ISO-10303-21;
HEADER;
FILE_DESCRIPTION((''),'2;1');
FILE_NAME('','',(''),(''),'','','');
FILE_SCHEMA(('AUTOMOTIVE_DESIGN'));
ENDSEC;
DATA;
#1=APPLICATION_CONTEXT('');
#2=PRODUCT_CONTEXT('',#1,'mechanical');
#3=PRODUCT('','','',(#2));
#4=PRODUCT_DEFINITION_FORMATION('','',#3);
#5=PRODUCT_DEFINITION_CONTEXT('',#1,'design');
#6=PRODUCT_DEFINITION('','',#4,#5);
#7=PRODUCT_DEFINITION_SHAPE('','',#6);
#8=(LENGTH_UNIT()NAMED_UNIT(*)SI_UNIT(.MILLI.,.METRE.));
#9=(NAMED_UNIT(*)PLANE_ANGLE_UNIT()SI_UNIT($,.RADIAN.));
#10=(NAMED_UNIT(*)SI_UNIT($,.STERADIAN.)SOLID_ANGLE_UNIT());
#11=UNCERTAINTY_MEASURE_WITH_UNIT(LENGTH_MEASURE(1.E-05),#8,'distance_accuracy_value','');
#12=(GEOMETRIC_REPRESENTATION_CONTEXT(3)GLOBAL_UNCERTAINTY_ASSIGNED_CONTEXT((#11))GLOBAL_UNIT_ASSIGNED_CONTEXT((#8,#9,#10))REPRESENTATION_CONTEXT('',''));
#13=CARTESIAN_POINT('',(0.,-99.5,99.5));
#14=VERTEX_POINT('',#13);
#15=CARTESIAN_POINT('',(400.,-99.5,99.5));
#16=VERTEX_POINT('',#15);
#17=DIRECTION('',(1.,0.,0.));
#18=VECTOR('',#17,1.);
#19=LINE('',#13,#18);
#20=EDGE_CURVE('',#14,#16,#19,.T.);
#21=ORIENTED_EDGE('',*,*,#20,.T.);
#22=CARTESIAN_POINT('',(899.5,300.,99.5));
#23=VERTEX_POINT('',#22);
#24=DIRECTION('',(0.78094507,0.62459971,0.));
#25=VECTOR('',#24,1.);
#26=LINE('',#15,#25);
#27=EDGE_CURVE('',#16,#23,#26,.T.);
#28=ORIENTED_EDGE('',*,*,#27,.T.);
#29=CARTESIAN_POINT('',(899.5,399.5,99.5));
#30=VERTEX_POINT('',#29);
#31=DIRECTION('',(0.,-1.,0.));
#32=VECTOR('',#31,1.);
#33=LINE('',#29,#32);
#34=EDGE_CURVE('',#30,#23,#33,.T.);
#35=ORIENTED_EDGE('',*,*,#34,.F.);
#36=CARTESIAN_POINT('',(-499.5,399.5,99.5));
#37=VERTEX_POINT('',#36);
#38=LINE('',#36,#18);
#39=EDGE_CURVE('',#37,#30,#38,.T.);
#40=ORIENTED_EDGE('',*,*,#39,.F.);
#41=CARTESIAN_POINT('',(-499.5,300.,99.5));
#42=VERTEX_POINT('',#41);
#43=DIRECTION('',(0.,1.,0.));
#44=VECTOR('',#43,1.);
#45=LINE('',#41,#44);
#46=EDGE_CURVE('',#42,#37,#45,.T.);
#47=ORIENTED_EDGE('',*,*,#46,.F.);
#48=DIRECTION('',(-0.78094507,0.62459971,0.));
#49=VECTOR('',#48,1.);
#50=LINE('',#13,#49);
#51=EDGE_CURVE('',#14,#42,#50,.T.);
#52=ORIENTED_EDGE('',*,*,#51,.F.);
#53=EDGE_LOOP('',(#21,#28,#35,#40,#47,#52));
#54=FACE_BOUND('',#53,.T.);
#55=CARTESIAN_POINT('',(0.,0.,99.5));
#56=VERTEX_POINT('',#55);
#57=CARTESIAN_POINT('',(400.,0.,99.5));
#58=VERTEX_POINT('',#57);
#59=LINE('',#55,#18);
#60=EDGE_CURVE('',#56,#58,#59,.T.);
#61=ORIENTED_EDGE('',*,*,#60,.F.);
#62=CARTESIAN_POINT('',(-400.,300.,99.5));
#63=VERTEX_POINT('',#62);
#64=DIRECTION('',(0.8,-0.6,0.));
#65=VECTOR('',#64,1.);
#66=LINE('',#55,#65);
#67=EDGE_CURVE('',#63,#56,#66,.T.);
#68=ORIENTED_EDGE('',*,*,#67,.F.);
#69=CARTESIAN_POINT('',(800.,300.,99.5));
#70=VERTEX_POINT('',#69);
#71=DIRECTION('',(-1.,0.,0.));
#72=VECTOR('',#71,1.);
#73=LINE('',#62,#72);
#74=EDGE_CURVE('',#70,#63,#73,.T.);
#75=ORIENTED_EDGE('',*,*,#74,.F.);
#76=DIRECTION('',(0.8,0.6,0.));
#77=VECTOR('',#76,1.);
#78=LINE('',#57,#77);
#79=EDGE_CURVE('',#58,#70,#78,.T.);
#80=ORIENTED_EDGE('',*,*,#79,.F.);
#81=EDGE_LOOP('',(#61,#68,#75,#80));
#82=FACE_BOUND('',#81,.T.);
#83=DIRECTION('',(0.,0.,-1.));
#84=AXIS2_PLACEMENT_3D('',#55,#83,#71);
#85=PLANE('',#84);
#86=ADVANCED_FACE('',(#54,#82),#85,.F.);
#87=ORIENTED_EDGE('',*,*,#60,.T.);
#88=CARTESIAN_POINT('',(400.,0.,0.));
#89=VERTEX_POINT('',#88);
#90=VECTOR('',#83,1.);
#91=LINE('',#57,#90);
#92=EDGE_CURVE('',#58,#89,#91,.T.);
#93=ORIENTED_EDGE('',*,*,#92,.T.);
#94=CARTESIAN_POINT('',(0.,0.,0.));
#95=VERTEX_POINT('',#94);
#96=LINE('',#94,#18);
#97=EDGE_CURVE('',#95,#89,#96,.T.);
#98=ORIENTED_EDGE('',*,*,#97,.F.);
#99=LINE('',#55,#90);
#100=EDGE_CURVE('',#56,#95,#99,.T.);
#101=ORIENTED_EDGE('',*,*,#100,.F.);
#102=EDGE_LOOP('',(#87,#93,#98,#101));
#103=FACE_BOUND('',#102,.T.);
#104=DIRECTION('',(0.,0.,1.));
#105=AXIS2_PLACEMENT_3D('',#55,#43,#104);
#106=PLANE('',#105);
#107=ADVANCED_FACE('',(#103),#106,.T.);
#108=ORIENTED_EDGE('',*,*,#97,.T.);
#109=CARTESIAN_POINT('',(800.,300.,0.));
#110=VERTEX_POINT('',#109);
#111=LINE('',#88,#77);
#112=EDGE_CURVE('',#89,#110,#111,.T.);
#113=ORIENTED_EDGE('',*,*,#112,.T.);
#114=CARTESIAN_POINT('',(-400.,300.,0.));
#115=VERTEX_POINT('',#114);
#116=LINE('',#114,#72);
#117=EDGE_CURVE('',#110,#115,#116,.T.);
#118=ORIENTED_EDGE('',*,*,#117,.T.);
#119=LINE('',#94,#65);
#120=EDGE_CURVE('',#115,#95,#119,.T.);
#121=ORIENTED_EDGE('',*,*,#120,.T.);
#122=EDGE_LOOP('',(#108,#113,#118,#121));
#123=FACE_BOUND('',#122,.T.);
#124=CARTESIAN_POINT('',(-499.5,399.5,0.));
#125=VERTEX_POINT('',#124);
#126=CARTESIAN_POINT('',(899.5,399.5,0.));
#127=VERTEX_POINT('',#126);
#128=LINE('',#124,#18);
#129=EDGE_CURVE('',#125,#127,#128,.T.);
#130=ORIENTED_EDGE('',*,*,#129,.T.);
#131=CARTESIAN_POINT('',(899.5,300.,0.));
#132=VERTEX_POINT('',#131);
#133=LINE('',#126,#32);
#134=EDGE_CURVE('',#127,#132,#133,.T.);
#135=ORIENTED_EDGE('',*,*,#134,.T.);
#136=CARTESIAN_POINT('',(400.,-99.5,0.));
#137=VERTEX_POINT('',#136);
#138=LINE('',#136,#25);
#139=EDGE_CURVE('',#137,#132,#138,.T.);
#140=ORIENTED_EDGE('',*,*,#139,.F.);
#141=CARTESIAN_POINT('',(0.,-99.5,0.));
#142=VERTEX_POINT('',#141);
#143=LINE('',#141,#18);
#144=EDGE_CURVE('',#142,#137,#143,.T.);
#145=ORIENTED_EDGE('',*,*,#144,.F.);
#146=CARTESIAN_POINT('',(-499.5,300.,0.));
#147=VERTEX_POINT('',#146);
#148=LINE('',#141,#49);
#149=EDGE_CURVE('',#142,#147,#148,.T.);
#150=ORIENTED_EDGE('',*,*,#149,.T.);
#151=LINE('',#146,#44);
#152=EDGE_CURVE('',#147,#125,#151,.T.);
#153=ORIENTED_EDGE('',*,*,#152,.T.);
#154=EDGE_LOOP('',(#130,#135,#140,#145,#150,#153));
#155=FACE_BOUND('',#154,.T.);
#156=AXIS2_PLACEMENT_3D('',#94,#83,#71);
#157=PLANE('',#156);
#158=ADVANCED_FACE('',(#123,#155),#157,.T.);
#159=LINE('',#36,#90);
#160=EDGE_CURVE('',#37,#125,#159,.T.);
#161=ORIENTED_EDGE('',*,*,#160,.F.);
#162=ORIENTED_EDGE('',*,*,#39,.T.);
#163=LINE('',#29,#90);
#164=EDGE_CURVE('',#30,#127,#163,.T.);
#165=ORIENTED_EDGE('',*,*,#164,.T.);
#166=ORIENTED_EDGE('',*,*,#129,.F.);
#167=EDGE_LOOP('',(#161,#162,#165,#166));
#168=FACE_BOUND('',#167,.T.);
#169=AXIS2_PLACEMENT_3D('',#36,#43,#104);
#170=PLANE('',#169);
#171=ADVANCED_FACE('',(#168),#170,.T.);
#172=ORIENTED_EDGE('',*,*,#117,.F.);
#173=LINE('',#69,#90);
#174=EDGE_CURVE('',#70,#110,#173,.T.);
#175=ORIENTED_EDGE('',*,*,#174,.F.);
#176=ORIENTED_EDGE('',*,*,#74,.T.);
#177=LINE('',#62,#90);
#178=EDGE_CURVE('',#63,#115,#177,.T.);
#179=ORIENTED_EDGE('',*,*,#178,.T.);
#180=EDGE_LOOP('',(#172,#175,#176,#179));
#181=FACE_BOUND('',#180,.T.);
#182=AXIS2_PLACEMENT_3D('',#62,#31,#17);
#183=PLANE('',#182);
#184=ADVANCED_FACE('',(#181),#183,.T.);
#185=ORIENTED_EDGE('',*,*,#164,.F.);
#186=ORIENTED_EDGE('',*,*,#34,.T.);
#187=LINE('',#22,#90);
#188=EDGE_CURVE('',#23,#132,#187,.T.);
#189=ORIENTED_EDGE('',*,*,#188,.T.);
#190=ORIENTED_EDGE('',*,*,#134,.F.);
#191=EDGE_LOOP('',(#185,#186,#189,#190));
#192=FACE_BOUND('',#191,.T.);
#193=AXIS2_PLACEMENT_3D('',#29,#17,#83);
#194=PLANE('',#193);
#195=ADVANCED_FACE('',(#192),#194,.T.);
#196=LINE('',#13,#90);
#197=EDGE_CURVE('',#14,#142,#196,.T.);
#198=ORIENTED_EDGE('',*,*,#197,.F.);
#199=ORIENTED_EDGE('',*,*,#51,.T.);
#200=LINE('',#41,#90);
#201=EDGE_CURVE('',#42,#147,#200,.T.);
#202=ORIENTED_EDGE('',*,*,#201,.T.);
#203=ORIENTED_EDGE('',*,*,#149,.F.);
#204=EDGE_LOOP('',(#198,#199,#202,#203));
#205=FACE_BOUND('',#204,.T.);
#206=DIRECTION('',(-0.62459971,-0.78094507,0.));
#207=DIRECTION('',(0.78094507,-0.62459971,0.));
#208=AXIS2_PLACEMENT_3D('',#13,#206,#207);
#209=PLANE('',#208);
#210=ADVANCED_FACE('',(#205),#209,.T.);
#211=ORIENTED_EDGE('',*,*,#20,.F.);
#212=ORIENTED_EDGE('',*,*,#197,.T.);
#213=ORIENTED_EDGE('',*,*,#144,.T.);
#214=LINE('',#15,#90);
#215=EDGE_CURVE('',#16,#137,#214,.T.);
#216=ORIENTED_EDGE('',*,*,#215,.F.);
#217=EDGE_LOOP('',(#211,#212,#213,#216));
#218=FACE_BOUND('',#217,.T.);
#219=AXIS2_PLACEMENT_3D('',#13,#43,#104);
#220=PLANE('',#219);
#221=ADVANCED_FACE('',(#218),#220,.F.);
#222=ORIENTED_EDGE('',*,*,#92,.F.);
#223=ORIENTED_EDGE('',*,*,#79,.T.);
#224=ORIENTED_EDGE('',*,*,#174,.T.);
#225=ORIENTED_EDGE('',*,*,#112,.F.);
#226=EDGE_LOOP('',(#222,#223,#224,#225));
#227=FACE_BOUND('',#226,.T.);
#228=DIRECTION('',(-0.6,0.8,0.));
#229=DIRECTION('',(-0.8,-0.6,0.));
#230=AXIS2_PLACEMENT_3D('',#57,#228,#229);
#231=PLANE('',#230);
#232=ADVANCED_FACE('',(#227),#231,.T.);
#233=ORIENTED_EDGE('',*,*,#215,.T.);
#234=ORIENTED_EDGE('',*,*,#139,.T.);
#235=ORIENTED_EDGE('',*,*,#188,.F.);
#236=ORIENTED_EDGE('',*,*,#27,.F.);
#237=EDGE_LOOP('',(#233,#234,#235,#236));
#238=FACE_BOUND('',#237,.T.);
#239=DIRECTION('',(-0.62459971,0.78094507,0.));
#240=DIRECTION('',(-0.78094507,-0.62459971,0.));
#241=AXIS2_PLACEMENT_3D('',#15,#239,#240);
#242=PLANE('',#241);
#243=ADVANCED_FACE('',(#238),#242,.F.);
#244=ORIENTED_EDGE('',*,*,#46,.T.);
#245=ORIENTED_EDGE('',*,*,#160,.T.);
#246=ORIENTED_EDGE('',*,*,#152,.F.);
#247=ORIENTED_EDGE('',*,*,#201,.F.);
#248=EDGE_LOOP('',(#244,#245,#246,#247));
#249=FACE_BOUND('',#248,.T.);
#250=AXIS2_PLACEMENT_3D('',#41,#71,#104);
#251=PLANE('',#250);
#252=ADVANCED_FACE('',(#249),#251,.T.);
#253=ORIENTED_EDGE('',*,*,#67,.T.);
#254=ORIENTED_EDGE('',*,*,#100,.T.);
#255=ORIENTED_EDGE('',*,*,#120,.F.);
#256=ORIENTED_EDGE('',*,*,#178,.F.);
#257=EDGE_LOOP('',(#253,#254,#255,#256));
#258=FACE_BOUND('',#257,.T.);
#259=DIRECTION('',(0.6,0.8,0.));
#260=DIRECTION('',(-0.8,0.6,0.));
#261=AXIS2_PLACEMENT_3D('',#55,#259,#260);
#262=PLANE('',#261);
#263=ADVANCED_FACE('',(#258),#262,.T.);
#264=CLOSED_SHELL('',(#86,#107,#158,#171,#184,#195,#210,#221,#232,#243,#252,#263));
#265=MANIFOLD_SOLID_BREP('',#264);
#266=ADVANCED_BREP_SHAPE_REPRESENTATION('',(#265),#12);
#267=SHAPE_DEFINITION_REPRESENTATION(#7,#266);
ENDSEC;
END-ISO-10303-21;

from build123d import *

# Parameters (mm, degrees)
BOSS_EXTRUDE3_DEPTH  = 99.5
SKETCH1_10_OUTSIDE_W = 1698.732
SKETCH1_10_OUTSIDE_H = 798.732
CUT_EXTRUDE2_DEPTH   = 990.242513239


with BuildPart() as part:
    # Sketch1 → Boss-Extrude3 (new body)
    with BuildSketch(Plane.XY):
        Polygon((-499.5, 399.5), (899.5, 399.5), (899.5, 300), (400, -99.5), (0, -99.5), (-499.5, 300), align=None)
    extrude(amount=BOSS_EXTRUDE3_DEPTH)

    # Sketch1<10> outside → Cut-Extrude2 (cut, through all)
    # profile 1 of 2: a face of its own
    with BuildSketch(Plane.XY):
        with Locations((200, 150)):
            Rectangle(SKETCH1_10_OUTSIDE_W, SKETCH1_10_OUTSIDE_H)
        Polygon((-499.5, 399.5), (899.5, 399.5), (899.5, 300), (400, -99.5), (0, -99.5), (-499.5, 300), align=None, mode=Mode.SUBTRACT)
    # profile 2 of 2: a face of its own
    with BuildSketch(Plane.XY):
        Polygon((0, 0), (400, 0), (800, 300), (-400, 300), align=None)
    extrude(amount=CUT_EXTRUDE2_DEPTH, mode=Mode.SUBTRACT)


solid = part.part
